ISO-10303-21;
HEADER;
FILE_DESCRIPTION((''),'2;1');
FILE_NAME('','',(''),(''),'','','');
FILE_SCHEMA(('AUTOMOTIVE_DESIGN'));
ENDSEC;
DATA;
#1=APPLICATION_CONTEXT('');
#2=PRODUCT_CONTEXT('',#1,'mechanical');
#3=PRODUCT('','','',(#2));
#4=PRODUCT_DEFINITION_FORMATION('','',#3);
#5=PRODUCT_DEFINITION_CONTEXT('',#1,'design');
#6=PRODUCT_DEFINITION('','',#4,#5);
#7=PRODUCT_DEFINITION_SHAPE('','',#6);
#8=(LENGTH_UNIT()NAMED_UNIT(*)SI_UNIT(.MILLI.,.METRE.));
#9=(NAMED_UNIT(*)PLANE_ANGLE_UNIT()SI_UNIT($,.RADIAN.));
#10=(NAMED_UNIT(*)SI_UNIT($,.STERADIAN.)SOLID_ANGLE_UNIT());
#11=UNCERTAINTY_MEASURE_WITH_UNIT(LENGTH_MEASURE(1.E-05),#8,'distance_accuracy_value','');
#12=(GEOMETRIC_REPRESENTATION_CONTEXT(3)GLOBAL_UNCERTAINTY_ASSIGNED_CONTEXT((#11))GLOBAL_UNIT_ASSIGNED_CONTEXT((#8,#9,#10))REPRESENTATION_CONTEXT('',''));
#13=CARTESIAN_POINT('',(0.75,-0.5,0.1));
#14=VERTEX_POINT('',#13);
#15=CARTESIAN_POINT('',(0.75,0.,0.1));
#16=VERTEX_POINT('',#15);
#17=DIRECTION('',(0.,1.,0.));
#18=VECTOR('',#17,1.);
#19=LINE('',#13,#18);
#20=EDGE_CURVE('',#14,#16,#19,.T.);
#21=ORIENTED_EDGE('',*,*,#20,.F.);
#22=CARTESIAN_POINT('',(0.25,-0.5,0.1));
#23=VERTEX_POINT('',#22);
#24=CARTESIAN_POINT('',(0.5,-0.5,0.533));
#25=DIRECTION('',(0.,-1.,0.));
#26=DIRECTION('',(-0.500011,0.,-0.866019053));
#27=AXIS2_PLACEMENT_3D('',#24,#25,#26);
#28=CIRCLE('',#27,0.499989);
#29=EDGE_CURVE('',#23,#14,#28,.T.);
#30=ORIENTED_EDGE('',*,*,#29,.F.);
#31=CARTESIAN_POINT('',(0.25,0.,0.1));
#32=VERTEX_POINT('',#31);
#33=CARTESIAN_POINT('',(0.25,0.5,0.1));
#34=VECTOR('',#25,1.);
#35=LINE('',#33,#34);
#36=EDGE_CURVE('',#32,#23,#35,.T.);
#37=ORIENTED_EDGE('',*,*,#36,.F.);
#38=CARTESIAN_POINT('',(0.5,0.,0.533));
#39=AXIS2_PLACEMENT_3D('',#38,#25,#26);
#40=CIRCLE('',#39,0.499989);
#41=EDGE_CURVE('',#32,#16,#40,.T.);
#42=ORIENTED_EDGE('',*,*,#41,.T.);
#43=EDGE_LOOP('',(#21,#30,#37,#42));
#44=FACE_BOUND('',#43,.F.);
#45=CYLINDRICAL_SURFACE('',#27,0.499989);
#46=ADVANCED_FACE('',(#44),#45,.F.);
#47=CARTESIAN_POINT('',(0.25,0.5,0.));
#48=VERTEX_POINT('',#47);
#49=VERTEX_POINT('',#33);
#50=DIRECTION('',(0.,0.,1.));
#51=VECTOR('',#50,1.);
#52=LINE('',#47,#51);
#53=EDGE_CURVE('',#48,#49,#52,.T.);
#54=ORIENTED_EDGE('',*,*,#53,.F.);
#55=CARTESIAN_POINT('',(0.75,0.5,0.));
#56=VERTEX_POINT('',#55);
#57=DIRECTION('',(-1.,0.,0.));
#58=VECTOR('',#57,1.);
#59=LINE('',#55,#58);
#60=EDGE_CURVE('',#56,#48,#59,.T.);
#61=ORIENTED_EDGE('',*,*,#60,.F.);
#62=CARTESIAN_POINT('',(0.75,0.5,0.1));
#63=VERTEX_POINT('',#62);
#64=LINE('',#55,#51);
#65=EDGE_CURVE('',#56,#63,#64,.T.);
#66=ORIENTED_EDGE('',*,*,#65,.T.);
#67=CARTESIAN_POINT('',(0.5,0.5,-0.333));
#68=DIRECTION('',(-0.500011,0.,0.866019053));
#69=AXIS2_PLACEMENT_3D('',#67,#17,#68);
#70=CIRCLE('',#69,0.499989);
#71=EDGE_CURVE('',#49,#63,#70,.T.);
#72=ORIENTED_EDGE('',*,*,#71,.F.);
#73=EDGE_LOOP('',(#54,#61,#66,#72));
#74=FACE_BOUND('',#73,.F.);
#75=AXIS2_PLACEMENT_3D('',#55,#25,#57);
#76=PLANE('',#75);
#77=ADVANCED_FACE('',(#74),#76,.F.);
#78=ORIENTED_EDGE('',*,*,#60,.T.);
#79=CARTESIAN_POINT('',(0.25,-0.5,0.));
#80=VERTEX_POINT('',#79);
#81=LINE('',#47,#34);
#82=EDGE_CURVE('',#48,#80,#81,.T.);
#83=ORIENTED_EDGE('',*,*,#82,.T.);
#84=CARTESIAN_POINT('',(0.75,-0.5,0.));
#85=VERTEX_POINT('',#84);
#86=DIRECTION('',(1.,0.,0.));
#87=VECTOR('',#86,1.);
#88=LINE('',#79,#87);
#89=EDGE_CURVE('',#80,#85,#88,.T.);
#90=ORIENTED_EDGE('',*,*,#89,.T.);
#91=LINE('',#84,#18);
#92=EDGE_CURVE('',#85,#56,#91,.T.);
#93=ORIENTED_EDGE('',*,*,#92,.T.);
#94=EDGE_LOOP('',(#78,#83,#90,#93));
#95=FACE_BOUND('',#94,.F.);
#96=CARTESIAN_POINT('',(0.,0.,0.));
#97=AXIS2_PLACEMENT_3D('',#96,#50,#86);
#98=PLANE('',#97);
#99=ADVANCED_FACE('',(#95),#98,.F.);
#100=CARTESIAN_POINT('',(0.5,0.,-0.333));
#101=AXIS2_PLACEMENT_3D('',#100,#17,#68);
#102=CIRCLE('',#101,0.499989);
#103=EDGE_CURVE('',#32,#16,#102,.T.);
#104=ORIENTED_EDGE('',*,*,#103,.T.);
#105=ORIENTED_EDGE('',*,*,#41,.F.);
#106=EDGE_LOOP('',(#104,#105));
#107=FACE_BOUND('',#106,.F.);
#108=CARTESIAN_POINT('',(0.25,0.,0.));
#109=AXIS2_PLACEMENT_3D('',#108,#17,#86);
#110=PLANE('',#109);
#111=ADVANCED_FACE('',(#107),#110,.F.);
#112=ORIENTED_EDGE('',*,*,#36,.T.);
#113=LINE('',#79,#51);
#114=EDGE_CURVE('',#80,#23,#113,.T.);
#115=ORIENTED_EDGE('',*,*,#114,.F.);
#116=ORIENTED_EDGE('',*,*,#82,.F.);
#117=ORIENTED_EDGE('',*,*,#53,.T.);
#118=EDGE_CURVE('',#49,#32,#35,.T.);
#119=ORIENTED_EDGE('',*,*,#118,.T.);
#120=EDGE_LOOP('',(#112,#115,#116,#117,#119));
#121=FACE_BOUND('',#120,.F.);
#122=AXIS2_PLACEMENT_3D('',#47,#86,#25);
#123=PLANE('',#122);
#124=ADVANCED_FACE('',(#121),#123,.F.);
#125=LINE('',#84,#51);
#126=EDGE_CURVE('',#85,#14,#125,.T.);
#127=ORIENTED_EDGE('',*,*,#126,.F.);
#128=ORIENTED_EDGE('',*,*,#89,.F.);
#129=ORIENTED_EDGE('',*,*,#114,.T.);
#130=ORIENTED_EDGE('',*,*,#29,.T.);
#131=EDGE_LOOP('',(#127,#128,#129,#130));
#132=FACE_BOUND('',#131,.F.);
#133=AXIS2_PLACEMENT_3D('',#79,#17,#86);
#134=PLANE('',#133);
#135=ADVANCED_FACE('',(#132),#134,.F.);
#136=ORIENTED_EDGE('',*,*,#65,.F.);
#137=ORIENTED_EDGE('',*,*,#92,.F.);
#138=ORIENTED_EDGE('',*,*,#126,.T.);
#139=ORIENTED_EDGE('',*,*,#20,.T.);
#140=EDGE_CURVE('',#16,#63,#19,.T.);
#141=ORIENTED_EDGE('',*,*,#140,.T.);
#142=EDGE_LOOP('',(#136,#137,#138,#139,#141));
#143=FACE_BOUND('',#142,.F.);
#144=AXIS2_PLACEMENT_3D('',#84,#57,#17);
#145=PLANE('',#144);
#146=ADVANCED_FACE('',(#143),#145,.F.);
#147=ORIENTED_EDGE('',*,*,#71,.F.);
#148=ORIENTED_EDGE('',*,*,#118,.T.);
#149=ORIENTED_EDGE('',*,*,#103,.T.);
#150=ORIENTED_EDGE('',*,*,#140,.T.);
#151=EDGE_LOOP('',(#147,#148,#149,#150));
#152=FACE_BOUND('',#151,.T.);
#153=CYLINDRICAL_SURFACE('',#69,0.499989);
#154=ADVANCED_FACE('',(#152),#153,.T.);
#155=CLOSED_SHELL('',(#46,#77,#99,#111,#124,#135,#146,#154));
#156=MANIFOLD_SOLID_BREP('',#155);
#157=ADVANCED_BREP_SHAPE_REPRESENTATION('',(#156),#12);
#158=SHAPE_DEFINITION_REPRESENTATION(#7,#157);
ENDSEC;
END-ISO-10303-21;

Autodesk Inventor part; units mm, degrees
ref_plane "YZ Plane" through (0, 0, 0) normal (1, 0, 0) x (0, 1, 0)
ref_plane "XZ Plane" through (0, 0, 0) normal (0, 1, 0) x (-1, 0, 0)
ref_plane "XY Plane" through (0, 0, 0) normal (0, 0, 1) x (1, 0, 0)
sketch "스케치1" plane through (0, 0, 0) normal (0, 0, 1) x (1, 0, 0)
  line L0 (-0.15, 0) -> (0.9, 0) construction
  line L1 (0, -0.7) -> (0, 0.7) construction
  line L2 (0.25, -0.5) -> (0.75, -0.5)
  line L3 (0.75, -0.5) -> (0.75, 0.5)
  line L4 (0.75, 0.5) -> (0.25, 0.5)
  line L5 (0.25, 0.5) -> (0.25, -0.5)
  point P0 (0, 0)
  point P1 (0.5, -0.5)
  dimension "d7" = 0.5
  dimension "d8" = 1
  dimension "d9" = 0.25
extrude "돌출1" add sketch "스케치1" along normal blind 0.1
sketch "스케치3" plane through (0.25, 0.5, 0) normal (0, 1, 0) x (1, 0, 0)
  line L0 (-0.25, 0.6093) -> (-0.25, -0.2964) construction
  line L1 (-0.4, 0) -> (0.65, 0) construction
  line L2 (0.5, 0) -> (0, 0) projected
  line L3 (0, 0) -> (0, -0.1) projected
  line L4 (0.5, -0.1) -> (0, -0.1) projected
  line L5 (0.5, 0) -> (0.5, -0.1) projected
  arc A0 (0, -0.1) -> (0.5, -0.1) centre (0.25, 0.333) ccw
  line L6 (0.25, -0.1) -> (0.25, 0.4799) construction
  point P0 (-0.25, 0)
  dimension "d10" = 0.5
extrude "돌출3" add sketch "스케치3" against normal blind 0.5 contours A0 L4
sketch "스케치4" plane through (0.25, -0.5, 0) normal (0, -1, 0) x (1, 0, 0)
  line L0 (0, 0) -> (0.5, 0) projected
  line L1 (0.5, 0) -> (0.5, 0.1) projected
  line L2 (0, 0.1) -> (0.5, 0.1) projected
  line L3 (0, 0) -> (0, 0.1) projected
  arc A0 (0, 0.1) -> (0.5, 0.1) centre (0.25, 0.533) ccw
  point P0 (-0.25, 0)
  dimension "d15" = 0.5
extrude "돌출4" cut sketch "스케치4" against normal blind 0.5 contours L2 A0
properties part number "flat_surface_1"
